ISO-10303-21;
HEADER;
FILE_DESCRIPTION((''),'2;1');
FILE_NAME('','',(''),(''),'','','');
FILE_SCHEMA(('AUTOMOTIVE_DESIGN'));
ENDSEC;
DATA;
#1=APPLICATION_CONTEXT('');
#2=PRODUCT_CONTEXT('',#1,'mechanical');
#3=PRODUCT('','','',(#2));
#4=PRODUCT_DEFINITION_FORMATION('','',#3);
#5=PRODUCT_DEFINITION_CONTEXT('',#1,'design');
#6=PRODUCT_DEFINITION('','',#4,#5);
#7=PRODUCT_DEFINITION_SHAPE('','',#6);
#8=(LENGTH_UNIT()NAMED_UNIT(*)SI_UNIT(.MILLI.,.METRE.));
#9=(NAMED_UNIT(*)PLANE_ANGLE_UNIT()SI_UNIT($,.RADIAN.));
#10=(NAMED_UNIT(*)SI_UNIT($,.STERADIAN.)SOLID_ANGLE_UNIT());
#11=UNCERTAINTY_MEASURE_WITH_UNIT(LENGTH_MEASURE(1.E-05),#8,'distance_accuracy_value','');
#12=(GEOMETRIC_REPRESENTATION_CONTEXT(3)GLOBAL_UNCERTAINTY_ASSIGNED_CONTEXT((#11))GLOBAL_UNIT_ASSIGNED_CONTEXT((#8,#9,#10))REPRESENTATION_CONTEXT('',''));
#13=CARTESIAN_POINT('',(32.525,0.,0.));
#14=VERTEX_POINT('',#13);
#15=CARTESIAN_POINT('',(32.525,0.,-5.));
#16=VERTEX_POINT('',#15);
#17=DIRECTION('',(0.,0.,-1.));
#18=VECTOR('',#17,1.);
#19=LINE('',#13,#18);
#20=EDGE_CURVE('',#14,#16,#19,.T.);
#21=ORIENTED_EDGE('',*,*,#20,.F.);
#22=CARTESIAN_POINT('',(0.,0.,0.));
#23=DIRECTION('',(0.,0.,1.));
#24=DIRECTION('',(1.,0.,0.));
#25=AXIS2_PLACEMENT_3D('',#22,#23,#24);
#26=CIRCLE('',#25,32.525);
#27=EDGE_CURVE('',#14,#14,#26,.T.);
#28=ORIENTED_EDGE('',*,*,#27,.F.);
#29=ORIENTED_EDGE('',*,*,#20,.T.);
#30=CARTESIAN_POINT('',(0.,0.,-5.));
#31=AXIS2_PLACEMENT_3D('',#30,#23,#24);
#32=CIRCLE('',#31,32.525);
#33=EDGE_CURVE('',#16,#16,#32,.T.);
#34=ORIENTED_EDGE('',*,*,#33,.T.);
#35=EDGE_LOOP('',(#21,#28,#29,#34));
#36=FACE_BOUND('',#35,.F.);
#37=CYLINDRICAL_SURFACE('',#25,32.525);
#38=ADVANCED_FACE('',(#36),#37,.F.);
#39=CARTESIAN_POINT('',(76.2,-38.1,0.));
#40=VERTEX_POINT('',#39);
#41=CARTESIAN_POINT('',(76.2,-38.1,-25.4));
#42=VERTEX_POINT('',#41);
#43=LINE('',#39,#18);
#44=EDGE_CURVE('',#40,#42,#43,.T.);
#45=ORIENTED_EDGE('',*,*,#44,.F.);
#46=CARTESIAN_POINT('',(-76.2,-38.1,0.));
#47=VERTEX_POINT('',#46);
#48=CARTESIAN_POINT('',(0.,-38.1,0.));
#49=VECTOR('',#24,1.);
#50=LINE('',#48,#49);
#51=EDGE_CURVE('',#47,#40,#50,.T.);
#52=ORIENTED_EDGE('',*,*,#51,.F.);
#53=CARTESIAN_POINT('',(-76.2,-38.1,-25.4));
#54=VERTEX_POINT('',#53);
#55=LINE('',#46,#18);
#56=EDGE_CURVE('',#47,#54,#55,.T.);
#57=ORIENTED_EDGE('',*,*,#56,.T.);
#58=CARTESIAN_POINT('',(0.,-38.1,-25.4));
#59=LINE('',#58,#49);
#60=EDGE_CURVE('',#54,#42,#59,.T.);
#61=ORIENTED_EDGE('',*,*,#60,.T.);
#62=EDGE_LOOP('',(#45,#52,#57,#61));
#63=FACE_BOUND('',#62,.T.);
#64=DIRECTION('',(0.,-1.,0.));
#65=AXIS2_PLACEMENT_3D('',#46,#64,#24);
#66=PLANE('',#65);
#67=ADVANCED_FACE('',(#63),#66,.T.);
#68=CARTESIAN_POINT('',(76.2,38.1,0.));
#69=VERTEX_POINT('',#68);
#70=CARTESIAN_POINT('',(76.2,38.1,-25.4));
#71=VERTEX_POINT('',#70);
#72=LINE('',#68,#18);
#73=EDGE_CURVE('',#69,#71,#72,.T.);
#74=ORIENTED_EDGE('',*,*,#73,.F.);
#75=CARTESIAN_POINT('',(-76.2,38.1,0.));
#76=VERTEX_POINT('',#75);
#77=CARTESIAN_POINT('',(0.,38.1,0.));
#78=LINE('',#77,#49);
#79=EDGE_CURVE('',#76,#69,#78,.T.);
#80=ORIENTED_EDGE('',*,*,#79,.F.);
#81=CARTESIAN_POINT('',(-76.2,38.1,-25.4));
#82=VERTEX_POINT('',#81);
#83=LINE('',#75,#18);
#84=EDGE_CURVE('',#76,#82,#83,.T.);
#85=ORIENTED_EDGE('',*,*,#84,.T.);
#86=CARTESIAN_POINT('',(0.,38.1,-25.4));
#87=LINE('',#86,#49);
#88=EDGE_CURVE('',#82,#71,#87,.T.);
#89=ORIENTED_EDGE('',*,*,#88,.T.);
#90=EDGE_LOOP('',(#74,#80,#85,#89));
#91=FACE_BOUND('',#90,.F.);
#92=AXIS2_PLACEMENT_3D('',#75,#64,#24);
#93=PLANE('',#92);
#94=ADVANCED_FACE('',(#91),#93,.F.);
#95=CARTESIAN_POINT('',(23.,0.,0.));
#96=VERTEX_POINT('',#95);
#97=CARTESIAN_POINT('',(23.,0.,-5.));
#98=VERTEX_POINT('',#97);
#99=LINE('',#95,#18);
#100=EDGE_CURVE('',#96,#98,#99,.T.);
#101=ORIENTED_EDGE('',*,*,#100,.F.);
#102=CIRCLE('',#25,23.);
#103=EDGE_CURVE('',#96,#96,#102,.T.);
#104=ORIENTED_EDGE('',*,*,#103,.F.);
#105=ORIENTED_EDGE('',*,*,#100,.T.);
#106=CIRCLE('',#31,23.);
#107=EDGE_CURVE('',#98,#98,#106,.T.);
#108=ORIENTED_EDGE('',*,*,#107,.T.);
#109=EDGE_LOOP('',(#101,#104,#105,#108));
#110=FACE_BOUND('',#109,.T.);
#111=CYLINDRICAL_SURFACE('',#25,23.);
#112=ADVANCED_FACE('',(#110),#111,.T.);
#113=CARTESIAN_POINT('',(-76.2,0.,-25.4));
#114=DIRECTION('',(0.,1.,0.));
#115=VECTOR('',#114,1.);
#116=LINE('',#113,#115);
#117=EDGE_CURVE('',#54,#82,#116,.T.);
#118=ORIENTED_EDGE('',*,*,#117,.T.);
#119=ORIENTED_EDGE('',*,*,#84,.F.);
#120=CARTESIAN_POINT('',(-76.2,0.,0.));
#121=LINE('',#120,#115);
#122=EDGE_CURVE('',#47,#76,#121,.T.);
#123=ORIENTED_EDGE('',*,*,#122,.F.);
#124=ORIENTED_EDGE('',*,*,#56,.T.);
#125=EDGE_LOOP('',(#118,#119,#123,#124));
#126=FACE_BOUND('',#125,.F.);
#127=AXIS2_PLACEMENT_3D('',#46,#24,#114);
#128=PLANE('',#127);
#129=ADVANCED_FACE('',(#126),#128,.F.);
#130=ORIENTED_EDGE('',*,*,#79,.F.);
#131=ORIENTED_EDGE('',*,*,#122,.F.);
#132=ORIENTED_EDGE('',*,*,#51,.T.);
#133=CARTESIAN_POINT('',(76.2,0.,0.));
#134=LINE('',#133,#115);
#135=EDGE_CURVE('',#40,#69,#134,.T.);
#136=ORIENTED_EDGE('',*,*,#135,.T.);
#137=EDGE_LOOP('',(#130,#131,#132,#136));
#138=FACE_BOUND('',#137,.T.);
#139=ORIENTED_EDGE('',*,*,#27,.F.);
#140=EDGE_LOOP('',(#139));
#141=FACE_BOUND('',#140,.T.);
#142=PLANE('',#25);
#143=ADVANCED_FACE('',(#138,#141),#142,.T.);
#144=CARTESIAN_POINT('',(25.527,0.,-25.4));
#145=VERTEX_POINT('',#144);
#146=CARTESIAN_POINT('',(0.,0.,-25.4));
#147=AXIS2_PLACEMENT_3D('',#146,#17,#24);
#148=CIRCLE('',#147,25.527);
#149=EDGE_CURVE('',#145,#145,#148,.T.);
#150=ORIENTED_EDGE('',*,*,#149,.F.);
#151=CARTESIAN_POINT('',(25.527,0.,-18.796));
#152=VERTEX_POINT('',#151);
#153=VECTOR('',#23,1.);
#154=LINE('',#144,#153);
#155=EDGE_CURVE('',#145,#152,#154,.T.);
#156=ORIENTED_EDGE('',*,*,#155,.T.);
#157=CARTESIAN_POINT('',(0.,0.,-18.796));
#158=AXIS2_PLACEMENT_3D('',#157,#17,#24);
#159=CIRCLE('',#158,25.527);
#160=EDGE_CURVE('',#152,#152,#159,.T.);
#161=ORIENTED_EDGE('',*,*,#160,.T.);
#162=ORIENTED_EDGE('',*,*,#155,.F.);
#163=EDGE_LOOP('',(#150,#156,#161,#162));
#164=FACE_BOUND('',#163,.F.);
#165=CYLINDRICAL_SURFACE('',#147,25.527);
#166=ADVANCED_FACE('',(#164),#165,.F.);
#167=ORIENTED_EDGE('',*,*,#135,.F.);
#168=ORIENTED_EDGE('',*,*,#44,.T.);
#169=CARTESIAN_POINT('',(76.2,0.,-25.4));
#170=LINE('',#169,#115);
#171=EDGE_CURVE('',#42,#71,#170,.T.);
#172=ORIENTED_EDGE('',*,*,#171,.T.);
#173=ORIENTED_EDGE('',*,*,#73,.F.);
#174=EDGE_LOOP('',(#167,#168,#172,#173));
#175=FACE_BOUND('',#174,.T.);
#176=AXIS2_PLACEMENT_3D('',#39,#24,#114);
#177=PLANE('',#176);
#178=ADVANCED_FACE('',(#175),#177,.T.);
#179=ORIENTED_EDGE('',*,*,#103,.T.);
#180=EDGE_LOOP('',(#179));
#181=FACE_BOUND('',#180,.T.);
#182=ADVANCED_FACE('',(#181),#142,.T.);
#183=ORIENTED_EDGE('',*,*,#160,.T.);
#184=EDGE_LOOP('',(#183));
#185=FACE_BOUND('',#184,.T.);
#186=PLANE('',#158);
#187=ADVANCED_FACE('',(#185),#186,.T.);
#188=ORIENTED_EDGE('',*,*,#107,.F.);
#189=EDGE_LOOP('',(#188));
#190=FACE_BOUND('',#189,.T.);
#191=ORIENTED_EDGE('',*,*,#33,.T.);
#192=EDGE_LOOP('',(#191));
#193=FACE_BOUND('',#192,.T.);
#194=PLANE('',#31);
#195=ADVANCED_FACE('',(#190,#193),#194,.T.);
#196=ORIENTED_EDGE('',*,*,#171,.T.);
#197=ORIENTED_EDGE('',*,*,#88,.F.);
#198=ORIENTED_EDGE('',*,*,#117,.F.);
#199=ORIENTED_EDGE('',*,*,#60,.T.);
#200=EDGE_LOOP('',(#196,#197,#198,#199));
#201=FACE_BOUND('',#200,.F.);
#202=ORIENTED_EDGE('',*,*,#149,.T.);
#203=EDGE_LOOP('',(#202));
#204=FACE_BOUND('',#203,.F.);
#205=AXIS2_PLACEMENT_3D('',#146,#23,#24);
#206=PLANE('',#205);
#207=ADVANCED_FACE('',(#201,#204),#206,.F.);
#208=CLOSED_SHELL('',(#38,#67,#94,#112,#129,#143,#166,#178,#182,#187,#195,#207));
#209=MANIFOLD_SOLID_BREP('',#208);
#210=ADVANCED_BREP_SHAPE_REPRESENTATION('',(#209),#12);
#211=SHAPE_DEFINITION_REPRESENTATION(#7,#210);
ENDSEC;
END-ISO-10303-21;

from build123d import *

# Parameters (mm, degrees)
F0_W     = 152.4
F0_H     = 76.2
F0_R     = 32.525
F0_R_2   = 23.5
F0_R_3   = 23
F1_DEPTH = 25.4
F2_DEPTH = 5
F3_R     = 25.527
F4_DEPTH = 6.604


with BuildPart() as f1:
    # F0 (on Top) → F1 (new body)
    with BuildSketch(Plane.XY):
        Rectangle(F0_W, F0_H)
        Circle(F0_R, mode=Mode.SUBTRACT)
        Circle(F0_R)
        Circle(F0_R_2, mode=Mode.SUBTRACT)
        Circle(F0_R_2)
        Circle(F0_R_3, mode=Mode.SUBTRACT)
        Circle(F0_R_3)
    extrude(amount=-F1_DEPTH)

    # F0 (on Top) → F2 (cut)
    with BuildSketch(Plane.XY):
        Circle(F0_R)
        Circle(F0_R_2, mode=Mode.SUBTRACT)
        Circle(F0_R_2)
        Circle(F0_R_3, mode=Mode.SUBTRACT)
    extrude(amount=-F2_DEPTH, mode=Mode.SUBTRACT)

    # F3 (on face) → F4 (cut)
    with BuildSketch(Plane(origin=(0, 0, -25.4), x_dir=(1, 0, 0), z_dir=(0, 0, -1))):
        Circle(F3_R)
    extrude(amount=-F4_DEPTH, mode=Mode.SUBTRACT)


solid = f1.part
